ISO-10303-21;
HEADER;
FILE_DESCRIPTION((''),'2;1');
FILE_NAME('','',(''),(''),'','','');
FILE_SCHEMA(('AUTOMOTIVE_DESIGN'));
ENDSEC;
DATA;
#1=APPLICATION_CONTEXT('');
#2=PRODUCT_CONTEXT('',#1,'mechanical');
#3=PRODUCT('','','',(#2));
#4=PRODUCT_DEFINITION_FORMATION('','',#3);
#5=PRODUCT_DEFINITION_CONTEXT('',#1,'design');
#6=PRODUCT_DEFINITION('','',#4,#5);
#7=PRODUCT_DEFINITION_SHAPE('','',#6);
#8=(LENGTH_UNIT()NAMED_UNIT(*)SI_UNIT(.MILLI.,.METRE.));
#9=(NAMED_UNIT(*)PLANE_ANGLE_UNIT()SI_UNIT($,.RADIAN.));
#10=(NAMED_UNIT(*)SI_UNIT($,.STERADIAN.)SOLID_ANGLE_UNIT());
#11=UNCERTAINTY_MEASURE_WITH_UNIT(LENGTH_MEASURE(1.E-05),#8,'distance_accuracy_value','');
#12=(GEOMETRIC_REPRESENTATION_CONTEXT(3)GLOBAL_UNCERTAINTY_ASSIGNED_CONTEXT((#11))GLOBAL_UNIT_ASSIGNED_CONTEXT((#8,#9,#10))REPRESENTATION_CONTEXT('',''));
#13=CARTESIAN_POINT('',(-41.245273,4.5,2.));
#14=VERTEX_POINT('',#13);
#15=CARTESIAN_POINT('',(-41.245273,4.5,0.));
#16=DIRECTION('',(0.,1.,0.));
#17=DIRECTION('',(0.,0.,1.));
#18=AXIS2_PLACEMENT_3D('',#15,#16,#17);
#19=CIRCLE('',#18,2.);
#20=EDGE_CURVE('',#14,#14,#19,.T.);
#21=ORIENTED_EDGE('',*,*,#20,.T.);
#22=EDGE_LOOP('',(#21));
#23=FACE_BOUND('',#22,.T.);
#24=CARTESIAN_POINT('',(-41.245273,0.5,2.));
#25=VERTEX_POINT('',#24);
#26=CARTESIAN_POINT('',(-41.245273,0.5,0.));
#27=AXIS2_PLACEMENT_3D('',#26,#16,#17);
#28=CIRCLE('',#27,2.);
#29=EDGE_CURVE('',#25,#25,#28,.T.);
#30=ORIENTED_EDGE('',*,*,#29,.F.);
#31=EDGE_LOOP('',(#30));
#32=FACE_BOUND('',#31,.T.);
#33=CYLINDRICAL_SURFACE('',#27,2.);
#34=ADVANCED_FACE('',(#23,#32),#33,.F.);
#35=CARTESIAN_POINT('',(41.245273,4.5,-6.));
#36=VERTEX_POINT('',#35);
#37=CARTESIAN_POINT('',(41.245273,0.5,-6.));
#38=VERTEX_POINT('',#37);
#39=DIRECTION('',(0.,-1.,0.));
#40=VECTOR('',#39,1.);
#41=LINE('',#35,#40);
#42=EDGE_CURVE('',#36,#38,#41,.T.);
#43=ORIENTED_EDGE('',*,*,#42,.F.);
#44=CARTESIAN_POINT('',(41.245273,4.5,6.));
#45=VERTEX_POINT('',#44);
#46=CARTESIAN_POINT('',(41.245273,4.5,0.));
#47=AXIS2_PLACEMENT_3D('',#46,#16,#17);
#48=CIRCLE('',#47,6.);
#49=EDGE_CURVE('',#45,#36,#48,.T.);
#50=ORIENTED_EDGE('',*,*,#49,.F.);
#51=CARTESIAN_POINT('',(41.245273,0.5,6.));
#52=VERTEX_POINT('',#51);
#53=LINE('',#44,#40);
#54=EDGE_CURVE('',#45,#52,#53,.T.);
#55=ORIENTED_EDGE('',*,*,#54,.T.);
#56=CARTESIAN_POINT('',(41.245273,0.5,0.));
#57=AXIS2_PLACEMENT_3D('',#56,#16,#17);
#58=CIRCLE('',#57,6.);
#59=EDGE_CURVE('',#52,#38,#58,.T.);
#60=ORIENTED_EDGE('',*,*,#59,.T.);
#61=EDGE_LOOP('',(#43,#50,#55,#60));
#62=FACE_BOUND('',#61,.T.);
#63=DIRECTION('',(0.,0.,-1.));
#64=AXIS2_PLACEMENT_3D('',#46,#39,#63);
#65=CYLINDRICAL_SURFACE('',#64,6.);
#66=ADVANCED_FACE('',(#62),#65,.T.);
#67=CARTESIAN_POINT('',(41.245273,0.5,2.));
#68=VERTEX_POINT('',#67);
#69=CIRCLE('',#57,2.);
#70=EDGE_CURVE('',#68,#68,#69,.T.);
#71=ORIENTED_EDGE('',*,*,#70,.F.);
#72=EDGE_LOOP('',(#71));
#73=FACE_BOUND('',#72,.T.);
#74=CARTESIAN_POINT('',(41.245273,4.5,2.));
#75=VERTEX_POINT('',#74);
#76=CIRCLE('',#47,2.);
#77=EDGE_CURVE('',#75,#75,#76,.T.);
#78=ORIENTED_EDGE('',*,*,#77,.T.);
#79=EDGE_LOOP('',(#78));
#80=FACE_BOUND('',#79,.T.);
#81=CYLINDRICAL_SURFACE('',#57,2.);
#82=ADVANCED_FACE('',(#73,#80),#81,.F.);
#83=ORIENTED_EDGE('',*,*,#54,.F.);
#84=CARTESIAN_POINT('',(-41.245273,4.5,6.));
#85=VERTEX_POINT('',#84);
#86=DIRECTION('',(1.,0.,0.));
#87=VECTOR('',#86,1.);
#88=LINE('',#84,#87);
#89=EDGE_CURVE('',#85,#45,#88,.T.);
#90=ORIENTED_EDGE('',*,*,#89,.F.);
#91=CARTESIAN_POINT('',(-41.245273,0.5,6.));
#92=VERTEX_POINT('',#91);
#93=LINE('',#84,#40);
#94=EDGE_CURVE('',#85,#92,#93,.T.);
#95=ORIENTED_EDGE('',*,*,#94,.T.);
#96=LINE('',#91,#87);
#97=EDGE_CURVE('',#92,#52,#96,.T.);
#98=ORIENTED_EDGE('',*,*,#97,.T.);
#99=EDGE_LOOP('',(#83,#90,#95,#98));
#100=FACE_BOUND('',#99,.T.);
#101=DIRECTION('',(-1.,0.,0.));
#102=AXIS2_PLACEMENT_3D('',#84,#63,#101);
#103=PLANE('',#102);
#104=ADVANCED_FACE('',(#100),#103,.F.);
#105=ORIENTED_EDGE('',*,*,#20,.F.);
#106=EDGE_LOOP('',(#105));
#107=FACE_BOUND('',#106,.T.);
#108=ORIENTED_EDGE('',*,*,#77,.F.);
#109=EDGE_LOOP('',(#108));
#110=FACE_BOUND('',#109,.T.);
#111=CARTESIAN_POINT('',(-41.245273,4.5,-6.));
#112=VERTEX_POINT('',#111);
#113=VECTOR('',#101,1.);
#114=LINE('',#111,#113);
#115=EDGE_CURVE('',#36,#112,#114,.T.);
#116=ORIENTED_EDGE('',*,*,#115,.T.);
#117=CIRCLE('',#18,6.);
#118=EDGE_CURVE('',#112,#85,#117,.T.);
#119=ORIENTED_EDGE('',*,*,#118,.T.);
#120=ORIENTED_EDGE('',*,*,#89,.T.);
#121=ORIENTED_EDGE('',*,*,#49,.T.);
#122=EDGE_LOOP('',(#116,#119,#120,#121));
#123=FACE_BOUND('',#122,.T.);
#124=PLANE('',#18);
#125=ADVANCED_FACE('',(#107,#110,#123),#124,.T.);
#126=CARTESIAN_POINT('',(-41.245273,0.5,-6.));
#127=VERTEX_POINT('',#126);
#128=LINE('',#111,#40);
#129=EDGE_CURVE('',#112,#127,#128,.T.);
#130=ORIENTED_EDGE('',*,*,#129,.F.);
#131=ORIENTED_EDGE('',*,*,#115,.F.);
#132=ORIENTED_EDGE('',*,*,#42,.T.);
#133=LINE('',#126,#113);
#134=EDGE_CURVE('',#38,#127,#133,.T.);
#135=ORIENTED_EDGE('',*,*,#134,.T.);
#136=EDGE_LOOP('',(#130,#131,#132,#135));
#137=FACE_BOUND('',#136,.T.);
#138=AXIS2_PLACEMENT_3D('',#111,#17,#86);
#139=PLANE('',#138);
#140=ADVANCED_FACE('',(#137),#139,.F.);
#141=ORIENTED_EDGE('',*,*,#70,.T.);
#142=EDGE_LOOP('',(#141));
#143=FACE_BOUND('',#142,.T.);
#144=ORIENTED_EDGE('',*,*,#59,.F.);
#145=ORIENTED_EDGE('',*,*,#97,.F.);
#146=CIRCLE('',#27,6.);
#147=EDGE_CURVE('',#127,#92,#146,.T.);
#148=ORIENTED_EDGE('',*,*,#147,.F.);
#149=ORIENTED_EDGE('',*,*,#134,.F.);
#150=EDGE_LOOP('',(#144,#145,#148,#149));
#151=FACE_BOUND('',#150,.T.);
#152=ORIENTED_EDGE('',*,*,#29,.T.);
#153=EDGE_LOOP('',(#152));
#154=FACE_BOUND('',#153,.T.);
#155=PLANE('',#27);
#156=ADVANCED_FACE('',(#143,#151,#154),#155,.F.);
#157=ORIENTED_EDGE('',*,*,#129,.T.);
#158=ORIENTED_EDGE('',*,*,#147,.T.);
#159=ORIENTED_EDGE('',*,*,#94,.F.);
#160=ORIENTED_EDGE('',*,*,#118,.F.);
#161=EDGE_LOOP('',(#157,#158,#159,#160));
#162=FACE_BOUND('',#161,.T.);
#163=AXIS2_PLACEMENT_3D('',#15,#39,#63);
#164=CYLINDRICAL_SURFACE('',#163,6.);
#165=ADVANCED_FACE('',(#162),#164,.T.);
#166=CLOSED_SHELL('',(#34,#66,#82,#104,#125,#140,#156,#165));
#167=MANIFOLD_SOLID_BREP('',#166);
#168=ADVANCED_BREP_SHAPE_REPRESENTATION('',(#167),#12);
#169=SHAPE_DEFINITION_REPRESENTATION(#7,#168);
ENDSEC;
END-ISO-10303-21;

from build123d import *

# Parameters (mm, degrees)
SKETCH1_R           = 2.4
BOSS_EXTRUDE1_DEPTH = 5
SCALE1_SCALE        = 0.8
SKETCH2_R           = 2
CUT_EXTRUDE1_DEPTH  = 48.792424581


with BuildPart() as part:
    # Sketch1 → Boss-Extrude1 (new body)
    with BuildSketch(Plane(origin=(0, 0, 0), x_dir=(1, 0, 0), z_dir=(0, 1, 0))):
        with BuildLine():
            Line((-51.5565916, 7.5), (51.5565916, 7.5))
            ThreePointArc((51.5565916, 7.5), (59.0565916, 0), (51.5565916, -7.5))
            Line((51.5565916, -7.5), (-51.5565916, -7.5))
            ThreePointArc((-51.5565916, -7.5), (-59.0565916, 0), (-51.5565916, 7.5))
        make_face()
        with Locations(Location((-51.5565916, 0, 0), (0, 0, 270))):
            Circle(SKETCH1_R, mode=Mode.SUBTRACT)
        with Locations(Location((51.5565916, 0, 0), (0, 0, 270))):
            Circle(SKETCH1_R, mode=Mode.SUBTRACT)
    extrude(amount=BOSS_EXTRUDE1_DEPTH)


with BuildPart() as part_1:
    # Scale1: scaled about (0, 2.5, 0)
    add(part.part.scale(SCALE1_SCALE).moved(Location((0, 0.5, 0))))

    # Sketch2 → Cut-Extrude1 (cut, through all)
    with BuildSketch(Plane(origin=(0, 4.5, 0), x_dir=(1, 0, 0), z_dir=(0, 1, 0))):
        with Locations(Location((-41.24527328, 0, 0), (0, 0, 270))):
            Circle(SKETCH2_R)
        with Locations(Location((41.24527328, 0, 0), (0, 0, 270))):
            Circle(SKETCH2_R)
    extrude(amount=-CUT_EXTRUDE1_DEPTH, mode=Mode.SUBTRACT)


solid = part_1.part
